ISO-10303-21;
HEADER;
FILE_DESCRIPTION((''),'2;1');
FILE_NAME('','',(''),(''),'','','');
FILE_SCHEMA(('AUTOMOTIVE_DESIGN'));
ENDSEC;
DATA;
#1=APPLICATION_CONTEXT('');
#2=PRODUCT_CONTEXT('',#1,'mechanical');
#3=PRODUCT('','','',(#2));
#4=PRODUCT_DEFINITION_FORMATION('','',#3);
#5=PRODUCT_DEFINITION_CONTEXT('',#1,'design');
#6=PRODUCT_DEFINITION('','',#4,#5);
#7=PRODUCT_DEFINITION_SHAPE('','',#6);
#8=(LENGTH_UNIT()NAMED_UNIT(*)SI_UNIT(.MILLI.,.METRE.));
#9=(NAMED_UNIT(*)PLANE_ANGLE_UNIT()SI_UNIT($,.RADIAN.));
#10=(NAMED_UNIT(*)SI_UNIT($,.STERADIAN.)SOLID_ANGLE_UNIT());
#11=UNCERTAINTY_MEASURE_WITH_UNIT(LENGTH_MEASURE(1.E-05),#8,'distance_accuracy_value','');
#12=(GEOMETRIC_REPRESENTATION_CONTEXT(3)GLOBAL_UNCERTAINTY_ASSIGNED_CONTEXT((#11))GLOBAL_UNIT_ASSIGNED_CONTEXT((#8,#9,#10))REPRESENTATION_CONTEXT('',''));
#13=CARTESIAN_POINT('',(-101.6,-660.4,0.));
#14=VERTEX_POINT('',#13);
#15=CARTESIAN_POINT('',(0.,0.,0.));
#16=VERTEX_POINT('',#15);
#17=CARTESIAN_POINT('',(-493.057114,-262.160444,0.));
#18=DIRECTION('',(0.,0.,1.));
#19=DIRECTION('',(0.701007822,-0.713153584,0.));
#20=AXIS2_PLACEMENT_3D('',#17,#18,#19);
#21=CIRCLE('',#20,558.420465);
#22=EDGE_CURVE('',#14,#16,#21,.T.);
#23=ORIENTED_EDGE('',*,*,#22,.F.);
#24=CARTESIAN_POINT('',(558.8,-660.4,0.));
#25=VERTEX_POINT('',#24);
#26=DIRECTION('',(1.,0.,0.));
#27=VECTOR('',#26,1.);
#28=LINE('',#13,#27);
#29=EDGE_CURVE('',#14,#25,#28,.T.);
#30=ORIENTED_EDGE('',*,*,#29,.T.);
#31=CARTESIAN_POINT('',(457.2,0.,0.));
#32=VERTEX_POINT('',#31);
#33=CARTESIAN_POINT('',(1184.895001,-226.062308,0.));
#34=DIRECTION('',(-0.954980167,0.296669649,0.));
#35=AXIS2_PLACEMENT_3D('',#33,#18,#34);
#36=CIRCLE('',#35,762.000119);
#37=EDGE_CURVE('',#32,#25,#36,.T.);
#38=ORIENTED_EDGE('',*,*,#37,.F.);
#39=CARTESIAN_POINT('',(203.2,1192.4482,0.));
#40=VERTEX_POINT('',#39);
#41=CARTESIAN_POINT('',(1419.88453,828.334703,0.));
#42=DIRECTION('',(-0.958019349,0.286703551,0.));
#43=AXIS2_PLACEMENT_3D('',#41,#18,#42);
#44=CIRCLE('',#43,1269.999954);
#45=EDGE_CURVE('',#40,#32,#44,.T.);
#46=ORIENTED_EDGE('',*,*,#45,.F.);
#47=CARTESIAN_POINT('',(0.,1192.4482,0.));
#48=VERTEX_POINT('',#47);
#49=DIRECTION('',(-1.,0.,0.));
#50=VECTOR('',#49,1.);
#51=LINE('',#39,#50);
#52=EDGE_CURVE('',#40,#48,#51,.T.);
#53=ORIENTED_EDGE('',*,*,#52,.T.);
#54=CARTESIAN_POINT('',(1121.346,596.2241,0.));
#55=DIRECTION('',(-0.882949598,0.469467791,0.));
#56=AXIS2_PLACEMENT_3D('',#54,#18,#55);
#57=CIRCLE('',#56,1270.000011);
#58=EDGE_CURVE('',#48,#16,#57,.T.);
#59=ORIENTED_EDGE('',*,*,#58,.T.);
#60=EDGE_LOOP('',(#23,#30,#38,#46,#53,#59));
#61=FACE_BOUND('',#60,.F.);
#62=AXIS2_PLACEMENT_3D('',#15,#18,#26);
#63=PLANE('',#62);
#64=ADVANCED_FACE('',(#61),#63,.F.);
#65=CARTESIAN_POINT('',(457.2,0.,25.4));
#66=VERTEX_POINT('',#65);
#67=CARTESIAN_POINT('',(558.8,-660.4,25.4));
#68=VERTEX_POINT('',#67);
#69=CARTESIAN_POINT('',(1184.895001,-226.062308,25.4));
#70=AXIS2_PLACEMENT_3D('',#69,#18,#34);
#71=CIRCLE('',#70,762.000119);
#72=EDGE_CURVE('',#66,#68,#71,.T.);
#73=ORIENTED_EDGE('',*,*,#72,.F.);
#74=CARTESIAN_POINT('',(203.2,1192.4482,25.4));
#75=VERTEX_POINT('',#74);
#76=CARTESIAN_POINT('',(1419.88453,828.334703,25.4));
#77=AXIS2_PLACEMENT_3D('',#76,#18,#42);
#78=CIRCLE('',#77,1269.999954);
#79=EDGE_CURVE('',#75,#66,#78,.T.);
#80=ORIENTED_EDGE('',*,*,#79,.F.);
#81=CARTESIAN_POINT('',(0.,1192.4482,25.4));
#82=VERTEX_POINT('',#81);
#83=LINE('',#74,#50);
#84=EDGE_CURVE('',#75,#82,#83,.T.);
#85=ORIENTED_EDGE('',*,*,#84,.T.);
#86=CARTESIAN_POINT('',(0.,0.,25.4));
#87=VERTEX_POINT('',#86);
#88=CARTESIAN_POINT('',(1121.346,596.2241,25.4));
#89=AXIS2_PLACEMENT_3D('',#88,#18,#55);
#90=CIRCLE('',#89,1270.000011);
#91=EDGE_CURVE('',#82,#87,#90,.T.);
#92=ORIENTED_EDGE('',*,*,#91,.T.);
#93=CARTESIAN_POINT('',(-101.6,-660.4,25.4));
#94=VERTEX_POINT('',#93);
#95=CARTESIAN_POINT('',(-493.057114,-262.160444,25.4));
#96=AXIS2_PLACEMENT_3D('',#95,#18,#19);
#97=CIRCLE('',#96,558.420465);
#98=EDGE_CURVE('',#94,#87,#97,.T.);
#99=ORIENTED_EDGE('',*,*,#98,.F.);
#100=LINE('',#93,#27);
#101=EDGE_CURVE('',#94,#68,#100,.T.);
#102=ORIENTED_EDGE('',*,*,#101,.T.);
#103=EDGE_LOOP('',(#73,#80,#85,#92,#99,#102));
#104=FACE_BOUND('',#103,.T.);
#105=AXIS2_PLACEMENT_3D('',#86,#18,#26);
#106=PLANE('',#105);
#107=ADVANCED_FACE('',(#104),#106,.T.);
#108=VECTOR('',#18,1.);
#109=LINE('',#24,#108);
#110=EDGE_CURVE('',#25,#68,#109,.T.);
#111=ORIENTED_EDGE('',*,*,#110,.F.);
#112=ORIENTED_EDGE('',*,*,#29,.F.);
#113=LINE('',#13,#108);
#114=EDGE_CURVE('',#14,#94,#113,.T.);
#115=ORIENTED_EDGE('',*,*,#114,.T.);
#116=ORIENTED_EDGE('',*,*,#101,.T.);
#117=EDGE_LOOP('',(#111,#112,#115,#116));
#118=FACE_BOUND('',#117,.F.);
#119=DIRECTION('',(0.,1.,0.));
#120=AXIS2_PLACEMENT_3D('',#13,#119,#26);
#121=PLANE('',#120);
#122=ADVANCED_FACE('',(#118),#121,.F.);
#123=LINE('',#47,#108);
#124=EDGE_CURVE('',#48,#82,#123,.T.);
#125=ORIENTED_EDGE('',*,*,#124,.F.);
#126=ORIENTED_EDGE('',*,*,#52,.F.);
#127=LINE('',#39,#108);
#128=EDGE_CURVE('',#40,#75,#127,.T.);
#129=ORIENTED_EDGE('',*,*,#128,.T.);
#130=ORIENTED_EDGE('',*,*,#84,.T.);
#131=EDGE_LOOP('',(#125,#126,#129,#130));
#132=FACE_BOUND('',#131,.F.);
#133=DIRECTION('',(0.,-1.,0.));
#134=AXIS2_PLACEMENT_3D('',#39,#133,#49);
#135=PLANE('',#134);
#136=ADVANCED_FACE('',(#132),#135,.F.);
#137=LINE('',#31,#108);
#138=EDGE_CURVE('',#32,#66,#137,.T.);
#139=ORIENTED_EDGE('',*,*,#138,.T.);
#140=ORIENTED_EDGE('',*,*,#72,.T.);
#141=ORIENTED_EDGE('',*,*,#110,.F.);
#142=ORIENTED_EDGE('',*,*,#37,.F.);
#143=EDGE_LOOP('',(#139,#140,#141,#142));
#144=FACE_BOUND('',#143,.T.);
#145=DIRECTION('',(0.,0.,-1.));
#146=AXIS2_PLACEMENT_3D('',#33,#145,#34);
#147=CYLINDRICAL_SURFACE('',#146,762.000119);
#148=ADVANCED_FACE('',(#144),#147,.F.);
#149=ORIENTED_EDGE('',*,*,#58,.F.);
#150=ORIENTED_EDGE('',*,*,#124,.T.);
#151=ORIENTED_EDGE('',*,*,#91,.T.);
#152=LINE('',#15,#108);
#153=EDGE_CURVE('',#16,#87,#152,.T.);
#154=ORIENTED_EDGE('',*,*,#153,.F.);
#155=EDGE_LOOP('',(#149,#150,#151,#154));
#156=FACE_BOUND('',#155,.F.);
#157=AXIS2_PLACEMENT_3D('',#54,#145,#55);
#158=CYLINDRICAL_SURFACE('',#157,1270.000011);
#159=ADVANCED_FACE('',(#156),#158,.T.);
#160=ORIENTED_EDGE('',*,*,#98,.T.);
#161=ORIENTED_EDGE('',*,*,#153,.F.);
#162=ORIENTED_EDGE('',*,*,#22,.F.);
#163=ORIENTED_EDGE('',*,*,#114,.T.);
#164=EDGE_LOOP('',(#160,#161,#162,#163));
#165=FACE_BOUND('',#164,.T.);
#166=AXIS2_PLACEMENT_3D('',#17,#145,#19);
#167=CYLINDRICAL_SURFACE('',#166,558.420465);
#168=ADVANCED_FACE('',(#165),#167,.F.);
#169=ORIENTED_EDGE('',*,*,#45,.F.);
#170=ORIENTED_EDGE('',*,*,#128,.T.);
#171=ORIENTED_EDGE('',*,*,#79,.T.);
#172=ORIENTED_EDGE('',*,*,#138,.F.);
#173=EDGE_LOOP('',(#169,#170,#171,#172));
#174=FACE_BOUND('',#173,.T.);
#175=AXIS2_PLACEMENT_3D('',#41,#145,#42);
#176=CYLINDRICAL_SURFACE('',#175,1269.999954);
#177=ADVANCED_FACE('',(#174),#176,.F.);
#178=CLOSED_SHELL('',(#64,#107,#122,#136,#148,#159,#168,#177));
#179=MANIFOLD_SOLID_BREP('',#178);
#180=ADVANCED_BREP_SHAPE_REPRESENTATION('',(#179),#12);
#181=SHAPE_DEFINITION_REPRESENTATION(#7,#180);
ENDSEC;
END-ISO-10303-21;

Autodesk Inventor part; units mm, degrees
ref_plane "YZ Plane" through (0, 0, 0) normal (1, 0, 0) x (0, 1, 0)
ref_plane "XZ Plane" through (0, 0, 0) normal (0, 1, 0) x (-1, 0, 0)
ref_plane "XY Plane" through (0, 0, 0) normal (0, 0, 1) x (1, 0, 0)
sketch "Sketch1" plane through (0, 0, 0) normal (0, 0, 1) x (1, 0, 0)
  line L0 (0, 0) -> (457.2, 0)
  line L1 (0, 1192.4482) -> (0, 0)
  arc A0 (0, 1192.4482) -> (0, 0) centre (1121.346, 596.2241) ccw
  arc A1 (203.2, 1192.4482) -> (457.2, 0) centre (1419.8846, 828.3347) ccw
  line L2 (0, 0) -> (508.1314, 0)
  line L3 (0, 0) -> (-101.6, -660.4)
  line L4 (-101.6, -660.4) -> (558.8, -660.4)
  line L5 (558.8, -660.4) -> (457.2, 0)
  arc A2 (-101.6, -660.4) -> (0, 0) centre (-493.0572, -262.1604) ccw
  arc A3 (457.2, 0) -> (558.8, -660.4) centre (1184.8949, -226.0623) ccw
  line L6 (203.2, 1192.4482) -> (457.2, 0)
  line L7 (203.2, 1192.4482) -> (0, 1192.4482)
  dimension "d0" = 457.2
  dimension "d1" = 1219.2
  dimension "d2" = 1270
  dimension "d5" = 660.4
  dimension "d6" = 660.4
  dimension "d7" = 762
  dimension "d10" = 203.2
extrude "Extrusion1" add sketch "Sketch1" along normal blind 25.4 contours L1 L7 A1 L0 | A0 L1 | L0 A3 L4 A2
properties part number "side" material "Wood (Cherry)"
